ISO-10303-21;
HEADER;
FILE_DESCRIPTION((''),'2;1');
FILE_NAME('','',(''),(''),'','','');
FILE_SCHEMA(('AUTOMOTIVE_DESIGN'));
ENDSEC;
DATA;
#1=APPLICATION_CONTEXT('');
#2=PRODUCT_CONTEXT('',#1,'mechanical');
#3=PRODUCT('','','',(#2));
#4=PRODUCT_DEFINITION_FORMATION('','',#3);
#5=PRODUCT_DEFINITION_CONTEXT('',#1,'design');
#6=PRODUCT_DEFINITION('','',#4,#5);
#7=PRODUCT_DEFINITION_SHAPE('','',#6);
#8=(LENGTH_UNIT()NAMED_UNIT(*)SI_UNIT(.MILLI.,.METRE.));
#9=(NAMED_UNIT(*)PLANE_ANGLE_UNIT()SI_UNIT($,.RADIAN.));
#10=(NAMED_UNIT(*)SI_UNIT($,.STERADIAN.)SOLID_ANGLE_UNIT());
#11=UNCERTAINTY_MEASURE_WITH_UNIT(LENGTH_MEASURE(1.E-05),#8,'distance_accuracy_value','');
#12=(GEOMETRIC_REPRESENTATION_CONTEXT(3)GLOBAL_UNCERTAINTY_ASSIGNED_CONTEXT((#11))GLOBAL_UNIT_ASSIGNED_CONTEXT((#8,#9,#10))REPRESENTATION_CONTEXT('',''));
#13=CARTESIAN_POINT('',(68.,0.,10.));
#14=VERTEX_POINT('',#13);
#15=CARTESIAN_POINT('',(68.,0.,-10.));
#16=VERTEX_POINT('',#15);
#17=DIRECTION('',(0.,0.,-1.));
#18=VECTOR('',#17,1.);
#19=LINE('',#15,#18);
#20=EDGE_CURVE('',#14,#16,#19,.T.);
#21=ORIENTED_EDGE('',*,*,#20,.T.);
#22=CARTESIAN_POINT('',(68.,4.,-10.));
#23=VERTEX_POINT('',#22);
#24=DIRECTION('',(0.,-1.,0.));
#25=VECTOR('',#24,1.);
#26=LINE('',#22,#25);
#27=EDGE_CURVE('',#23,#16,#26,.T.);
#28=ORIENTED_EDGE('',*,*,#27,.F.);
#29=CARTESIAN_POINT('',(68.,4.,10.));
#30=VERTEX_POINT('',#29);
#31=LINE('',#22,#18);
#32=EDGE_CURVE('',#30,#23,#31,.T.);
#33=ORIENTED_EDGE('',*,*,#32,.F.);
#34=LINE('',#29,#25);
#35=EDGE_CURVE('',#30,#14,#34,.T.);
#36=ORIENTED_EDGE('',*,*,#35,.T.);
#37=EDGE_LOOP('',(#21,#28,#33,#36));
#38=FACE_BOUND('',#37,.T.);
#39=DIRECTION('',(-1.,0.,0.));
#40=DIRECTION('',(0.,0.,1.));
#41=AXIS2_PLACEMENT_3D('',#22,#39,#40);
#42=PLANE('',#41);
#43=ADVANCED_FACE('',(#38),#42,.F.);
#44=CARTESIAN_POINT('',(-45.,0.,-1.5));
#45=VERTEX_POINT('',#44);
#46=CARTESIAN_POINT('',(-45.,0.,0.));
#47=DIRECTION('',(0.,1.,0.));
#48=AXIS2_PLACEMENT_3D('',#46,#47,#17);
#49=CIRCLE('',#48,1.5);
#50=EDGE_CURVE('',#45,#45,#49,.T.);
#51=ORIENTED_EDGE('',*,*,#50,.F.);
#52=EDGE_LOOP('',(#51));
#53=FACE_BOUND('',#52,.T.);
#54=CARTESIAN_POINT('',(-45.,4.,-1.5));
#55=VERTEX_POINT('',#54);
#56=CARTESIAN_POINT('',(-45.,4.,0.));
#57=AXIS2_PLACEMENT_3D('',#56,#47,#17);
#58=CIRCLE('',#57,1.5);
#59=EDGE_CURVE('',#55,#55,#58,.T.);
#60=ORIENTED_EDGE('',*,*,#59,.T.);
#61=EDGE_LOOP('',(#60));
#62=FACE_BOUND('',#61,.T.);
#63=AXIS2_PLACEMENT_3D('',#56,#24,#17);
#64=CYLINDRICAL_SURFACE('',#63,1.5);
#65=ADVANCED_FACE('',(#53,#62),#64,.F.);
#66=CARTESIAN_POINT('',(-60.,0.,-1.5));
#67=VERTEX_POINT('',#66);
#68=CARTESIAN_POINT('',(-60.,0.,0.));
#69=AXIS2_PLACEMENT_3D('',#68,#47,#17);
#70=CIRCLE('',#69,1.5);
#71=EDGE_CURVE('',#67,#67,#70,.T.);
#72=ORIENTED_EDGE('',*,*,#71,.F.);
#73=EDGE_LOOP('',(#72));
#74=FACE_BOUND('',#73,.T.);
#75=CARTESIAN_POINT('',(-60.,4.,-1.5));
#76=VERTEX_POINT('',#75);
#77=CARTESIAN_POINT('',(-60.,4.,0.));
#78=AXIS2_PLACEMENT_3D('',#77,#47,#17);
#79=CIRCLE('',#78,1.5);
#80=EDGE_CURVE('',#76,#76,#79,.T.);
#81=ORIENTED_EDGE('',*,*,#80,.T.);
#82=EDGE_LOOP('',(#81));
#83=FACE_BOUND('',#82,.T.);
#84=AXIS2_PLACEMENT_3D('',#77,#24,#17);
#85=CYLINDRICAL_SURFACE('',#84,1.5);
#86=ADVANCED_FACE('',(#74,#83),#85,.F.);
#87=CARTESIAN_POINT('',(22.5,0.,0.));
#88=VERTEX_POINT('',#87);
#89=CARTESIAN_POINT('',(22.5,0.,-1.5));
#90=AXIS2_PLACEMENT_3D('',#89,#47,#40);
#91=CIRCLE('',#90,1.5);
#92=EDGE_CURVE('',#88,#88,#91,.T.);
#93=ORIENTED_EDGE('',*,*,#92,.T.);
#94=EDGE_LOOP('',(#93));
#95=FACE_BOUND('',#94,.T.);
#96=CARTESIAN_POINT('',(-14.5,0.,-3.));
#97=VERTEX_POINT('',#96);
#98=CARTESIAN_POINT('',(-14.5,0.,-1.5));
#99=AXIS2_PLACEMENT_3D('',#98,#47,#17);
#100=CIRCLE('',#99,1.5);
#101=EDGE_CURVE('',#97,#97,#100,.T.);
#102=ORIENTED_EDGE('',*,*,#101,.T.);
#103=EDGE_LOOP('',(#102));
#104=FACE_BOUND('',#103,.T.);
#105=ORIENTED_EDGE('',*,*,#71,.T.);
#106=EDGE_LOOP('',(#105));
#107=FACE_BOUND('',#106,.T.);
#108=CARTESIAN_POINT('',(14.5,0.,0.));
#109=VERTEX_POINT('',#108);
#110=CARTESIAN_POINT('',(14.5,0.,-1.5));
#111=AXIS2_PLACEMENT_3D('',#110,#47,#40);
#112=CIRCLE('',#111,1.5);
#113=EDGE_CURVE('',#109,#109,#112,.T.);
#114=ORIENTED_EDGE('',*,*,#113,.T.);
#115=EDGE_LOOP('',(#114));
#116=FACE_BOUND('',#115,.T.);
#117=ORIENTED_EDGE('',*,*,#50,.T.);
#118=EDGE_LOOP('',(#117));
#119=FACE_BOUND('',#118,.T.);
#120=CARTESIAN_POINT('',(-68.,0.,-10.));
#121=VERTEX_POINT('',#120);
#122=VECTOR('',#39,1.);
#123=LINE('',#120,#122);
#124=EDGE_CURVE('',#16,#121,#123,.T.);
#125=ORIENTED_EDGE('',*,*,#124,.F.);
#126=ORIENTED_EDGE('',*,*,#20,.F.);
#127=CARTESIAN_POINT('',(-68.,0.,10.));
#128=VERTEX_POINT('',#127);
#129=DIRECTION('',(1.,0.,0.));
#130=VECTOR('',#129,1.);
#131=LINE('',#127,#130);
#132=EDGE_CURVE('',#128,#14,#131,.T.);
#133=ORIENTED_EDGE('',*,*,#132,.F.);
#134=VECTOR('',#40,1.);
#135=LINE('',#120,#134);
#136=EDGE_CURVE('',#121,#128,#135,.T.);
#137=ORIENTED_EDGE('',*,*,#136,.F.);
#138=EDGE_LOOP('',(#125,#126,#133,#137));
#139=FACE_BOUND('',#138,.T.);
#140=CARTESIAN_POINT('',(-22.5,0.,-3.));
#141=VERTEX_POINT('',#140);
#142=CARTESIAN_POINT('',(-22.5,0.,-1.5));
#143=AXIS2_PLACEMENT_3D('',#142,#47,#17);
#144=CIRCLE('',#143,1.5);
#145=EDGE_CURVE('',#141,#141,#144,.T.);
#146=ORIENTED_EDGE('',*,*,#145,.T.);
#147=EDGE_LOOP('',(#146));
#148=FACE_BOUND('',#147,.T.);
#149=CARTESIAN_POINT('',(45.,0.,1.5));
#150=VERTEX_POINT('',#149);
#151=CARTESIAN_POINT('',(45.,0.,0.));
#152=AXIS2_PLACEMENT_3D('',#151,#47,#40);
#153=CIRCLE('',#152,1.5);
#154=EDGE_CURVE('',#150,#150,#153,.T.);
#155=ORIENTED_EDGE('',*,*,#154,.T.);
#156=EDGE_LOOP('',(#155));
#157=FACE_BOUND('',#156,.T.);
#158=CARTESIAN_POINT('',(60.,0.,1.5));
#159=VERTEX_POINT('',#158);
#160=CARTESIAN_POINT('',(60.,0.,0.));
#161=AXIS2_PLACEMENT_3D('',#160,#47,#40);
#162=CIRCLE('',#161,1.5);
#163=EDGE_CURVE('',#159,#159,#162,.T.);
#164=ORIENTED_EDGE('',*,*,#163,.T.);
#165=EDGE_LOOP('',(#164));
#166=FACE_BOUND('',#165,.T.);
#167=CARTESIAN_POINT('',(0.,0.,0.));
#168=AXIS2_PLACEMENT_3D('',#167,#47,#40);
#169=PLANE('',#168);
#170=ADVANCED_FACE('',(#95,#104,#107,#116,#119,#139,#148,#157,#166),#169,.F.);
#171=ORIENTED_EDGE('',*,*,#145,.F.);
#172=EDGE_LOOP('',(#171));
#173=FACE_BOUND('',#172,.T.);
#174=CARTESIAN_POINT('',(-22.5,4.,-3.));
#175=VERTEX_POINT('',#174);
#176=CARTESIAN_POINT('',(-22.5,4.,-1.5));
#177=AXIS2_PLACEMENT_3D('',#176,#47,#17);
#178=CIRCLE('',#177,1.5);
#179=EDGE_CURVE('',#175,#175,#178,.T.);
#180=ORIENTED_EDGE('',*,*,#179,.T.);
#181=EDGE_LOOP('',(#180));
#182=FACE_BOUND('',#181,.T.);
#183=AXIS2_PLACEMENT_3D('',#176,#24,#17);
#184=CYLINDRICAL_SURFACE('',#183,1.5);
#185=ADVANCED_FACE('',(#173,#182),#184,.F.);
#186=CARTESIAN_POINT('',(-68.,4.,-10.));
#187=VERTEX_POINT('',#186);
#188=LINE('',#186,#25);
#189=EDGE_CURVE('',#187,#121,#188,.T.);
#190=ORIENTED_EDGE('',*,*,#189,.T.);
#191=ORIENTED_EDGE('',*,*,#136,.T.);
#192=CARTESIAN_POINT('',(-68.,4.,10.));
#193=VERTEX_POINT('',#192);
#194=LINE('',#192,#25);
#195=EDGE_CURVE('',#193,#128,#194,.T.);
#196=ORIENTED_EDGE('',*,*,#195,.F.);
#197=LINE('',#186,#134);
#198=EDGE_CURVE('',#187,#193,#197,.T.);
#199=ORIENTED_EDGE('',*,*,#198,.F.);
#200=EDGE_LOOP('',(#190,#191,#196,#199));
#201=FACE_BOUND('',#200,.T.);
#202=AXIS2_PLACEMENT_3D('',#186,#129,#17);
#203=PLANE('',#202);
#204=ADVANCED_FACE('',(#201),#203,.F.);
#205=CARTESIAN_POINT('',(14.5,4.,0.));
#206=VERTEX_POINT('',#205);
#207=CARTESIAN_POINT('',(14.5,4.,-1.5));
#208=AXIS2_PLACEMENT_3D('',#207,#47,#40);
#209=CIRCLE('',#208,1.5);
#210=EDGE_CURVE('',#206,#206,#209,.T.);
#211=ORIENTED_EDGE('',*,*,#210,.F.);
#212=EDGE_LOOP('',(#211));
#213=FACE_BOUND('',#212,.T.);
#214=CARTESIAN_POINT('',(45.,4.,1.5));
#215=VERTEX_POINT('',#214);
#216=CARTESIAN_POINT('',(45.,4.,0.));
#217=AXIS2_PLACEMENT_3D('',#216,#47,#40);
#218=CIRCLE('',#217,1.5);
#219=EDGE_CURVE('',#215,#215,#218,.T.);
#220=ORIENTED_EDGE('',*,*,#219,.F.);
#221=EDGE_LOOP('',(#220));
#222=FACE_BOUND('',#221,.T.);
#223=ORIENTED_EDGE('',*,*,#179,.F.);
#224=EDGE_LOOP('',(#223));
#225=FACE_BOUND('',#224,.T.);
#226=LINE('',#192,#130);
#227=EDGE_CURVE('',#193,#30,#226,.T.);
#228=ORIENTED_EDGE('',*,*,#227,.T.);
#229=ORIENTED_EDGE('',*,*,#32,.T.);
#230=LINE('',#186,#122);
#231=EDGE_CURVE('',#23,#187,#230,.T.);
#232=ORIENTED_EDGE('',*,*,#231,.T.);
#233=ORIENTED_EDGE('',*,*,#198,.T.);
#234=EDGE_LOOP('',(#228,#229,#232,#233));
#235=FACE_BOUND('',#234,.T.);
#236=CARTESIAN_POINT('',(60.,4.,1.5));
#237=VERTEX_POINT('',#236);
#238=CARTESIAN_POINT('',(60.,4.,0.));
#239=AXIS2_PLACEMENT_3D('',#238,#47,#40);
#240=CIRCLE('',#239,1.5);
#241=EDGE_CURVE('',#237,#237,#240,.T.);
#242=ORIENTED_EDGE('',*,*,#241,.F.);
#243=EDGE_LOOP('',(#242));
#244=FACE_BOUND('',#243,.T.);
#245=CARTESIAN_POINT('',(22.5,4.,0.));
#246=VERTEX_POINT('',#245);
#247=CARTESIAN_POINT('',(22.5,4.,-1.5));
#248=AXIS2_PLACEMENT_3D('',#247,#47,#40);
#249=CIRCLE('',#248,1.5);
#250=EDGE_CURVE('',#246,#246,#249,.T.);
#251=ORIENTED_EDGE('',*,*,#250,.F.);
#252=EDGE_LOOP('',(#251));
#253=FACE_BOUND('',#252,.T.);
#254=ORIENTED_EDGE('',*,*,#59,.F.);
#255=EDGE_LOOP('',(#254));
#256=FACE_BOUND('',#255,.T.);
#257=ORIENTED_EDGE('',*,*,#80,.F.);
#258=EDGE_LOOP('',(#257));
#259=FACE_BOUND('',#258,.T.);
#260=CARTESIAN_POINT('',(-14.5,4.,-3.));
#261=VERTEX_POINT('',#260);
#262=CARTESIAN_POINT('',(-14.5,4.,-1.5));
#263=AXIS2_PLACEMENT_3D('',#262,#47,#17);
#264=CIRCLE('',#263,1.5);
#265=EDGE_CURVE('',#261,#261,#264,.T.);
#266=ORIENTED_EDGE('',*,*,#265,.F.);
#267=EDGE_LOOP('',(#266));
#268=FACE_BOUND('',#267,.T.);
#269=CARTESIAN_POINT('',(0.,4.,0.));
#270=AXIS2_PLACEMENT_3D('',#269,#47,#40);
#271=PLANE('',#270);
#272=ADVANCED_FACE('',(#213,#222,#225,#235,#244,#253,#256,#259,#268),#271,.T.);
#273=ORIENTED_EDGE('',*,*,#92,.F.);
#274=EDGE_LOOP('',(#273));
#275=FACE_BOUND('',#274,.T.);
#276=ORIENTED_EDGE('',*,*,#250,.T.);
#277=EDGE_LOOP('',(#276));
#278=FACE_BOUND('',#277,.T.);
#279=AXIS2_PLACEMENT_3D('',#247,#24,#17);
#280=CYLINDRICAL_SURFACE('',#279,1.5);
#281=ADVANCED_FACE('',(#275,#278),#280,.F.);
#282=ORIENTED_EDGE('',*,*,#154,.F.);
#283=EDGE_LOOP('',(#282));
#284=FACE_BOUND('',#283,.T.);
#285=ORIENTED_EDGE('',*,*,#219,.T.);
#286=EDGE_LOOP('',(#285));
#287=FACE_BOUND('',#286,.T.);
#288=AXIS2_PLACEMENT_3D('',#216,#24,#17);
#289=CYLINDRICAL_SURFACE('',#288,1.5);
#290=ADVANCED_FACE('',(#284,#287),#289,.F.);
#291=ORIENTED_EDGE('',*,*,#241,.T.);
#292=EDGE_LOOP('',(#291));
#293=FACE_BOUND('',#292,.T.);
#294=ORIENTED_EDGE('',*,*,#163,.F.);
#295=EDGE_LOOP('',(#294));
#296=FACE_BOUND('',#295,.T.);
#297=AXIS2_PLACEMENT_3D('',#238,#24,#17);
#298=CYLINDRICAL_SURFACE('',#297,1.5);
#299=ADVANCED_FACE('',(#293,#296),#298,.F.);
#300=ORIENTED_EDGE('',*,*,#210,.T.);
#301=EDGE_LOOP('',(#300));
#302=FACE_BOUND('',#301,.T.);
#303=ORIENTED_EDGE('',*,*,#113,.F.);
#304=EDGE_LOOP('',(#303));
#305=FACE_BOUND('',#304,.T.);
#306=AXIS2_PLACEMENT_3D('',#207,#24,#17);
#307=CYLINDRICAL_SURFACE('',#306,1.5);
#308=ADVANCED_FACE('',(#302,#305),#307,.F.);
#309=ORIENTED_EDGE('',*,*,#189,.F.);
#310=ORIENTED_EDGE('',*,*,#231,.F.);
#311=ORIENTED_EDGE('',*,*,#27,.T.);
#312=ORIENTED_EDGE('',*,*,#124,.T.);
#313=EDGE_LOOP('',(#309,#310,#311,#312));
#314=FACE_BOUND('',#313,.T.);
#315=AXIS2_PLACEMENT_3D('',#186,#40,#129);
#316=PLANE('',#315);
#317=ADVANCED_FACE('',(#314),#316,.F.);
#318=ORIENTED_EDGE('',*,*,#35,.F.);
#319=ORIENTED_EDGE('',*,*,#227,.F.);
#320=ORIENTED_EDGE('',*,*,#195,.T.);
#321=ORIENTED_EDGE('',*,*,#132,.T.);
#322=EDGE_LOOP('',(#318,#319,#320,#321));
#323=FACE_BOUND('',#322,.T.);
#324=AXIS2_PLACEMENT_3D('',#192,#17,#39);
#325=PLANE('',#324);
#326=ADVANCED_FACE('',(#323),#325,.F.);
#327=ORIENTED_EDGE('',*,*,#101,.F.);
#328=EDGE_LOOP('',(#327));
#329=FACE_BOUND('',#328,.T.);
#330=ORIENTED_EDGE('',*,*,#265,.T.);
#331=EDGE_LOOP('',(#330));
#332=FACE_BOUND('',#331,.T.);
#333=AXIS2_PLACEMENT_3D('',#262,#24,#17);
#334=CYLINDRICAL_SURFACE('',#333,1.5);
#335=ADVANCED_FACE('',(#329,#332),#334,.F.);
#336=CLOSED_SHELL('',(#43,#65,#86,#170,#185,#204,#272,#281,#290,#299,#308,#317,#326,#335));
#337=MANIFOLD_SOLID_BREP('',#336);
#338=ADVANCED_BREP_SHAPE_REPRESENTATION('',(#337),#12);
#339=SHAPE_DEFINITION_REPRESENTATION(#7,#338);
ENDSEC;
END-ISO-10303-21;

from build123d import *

# Parameters (mm, degrees)
SKETCH1_W           = 136
SKETCH1_H           = 20
SKETCH1_R           = 1.5
BOSS_EXTRUDE1_DEPTH = 4


with BuildPart() as part:
    # Sketch1 → Boss-Extrude1 (new body)
    with BuildSketch(Plane(origin=(0, 0, 0), x_dir=(1, 0, 0), z_dir=(0, 1, 0))):
        Rectangle(SKETCH1_W, SKETCH1_H)
        with Locations(Location((22.5, 1.5, 0), (0, 0, 270))):
            Circle(SKETCH1_R, mode=Mode.SUBTRACT)
        with Locations(Location((14.5, 1.5, 0), (0, 0, 270))):
            Circle(SKETCH1_R, mode=Mode.SUBTRACT)
        with Locations(Location((-14.5, 1.5, 0), (0, 0, 90))):
            Circle(SKETCH1_R, mode=Mode.SUBTRACT)
        with Locations(Location((-22.5, 1.5, 0), (0, 0, 90))):
            Circle(SKETCH1_R, mode=Mode.SUBTRACT)
        with Locations(Location((60, 0, 0), (0, 0, 270))):
            Circle(SKETCH1_R, mode=Mode.SUBTRACT)
        with Locations(Location((45, 0, 0), (0, 0, 270))):
            Circle(SKETCH1_R, mode=Mode.SUBTRACT)
        with Locations(Location((-45, 0, 0), (0, 0, 90))):
            Circle(SKETCH1_R, mode=Mode.SUBTRACT)
        with Locations(Location((-60, 0, 0), (0, 0, 90))):
            Circle(SKETCH1_R, mode=Mode.SUBTRACT)
    extrude(amount=BOSS_EXTRUDE1_DEPTH)


solid = part.part
